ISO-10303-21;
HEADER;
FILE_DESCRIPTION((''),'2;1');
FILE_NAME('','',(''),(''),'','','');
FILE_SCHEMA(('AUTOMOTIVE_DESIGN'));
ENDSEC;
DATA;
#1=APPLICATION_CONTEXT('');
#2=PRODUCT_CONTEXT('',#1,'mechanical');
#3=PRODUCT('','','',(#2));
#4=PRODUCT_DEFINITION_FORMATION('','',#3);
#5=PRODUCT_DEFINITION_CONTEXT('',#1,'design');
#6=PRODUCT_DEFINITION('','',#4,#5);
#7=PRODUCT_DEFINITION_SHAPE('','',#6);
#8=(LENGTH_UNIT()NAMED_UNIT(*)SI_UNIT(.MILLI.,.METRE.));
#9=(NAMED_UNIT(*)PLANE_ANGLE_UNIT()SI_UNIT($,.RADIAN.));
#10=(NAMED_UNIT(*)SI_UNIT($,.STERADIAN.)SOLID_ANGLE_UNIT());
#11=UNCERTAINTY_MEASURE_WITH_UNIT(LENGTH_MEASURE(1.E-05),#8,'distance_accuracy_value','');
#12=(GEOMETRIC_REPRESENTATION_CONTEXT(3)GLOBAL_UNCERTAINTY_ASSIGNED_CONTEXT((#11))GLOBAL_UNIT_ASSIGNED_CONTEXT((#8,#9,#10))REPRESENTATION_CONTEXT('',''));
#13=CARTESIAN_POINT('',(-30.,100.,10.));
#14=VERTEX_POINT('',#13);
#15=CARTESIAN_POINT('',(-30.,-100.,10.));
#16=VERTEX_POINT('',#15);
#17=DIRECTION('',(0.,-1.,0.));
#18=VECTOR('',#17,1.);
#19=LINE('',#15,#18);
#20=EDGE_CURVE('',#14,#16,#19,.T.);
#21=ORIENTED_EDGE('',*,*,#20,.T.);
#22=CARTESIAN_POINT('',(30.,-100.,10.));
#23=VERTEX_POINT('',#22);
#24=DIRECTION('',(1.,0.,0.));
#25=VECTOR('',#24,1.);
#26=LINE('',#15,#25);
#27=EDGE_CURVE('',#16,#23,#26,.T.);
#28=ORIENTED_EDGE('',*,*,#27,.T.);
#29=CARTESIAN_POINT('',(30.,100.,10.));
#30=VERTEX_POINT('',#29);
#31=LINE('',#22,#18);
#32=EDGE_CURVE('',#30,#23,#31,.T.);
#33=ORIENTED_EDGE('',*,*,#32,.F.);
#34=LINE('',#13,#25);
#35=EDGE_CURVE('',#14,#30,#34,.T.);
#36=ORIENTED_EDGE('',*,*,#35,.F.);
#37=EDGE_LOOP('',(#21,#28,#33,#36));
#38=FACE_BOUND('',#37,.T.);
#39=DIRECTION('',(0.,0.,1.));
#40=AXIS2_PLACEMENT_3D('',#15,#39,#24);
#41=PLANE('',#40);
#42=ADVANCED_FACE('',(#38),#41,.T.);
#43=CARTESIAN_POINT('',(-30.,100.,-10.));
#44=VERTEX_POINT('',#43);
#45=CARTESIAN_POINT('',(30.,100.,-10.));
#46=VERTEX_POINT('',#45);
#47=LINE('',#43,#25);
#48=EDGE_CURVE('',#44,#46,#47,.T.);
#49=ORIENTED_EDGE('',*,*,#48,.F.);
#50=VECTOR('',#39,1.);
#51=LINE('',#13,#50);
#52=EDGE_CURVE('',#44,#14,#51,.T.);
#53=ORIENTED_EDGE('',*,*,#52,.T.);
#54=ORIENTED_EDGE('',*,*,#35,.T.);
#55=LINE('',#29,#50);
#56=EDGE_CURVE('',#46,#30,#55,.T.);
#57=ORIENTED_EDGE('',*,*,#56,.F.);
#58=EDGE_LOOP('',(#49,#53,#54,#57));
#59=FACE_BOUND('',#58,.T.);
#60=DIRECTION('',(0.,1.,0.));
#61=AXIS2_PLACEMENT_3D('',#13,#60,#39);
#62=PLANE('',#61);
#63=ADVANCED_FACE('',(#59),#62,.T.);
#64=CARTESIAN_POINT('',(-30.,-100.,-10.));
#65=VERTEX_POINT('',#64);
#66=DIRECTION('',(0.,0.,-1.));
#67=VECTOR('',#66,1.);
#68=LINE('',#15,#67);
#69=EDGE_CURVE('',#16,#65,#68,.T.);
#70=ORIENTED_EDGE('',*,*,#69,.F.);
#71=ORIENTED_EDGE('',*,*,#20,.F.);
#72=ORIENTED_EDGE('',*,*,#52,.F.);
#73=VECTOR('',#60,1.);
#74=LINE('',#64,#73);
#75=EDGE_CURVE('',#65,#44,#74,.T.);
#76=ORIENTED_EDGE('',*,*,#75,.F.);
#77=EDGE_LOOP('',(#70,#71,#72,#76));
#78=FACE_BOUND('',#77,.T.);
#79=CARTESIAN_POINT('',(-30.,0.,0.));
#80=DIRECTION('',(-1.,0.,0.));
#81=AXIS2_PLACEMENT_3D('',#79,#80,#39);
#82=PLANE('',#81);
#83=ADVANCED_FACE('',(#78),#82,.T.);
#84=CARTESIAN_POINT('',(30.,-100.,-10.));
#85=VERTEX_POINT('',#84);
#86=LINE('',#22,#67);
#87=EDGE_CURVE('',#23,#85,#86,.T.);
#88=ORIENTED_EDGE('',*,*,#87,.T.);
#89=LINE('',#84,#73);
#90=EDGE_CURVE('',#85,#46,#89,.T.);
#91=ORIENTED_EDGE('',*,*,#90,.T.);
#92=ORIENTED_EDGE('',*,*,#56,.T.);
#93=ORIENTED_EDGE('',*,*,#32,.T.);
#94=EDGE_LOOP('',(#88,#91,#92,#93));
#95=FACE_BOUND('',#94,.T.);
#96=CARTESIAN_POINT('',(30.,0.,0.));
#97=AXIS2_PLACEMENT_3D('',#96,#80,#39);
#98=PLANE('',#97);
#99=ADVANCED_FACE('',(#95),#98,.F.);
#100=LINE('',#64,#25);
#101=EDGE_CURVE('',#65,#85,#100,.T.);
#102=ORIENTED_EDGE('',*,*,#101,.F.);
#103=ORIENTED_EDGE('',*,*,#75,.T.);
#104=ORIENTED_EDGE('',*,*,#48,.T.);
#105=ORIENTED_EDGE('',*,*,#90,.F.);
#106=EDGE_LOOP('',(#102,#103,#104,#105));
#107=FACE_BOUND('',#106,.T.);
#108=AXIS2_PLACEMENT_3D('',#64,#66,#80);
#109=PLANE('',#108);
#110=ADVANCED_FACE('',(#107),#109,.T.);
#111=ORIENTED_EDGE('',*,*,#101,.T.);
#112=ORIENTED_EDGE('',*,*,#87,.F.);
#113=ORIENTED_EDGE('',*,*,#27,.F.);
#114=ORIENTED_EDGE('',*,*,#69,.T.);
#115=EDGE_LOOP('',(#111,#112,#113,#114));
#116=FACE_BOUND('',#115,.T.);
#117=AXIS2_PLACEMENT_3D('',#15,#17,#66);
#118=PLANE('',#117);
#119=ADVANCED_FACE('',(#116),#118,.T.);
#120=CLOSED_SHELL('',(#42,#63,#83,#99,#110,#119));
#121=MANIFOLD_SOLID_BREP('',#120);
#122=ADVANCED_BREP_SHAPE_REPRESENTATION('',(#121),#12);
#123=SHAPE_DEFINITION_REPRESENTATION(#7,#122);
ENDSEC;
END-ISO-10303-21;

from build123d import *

# Parameters (mm, degrees)
EXTRUDE_1_DEPTH      = 30
EXTRUDE_1_DEPTH_BACK = 30
SKETCH_1_W           = 20
SKETCH_1_H           = 200


with BuildPart() as part:
    # 草图1 → 凸台-拉伸1 (new, two sides: drawn at the far end of the back side and taken through both)
    with BuildSketch(Plane(origin=(0, 0, 0), x_dir=(0, 0, -1), z_dir=(1, 0, 0)).offset(-EXTRUDE_1_DEPTH_BACK)):
        Rectangle(SKETCH_1_W, SKETCH_1_H)
    extrude(amount=EXTRUDE_1_DEPTH + EXTRUDE_1_DEPTH_BACK)


solid = part.part
